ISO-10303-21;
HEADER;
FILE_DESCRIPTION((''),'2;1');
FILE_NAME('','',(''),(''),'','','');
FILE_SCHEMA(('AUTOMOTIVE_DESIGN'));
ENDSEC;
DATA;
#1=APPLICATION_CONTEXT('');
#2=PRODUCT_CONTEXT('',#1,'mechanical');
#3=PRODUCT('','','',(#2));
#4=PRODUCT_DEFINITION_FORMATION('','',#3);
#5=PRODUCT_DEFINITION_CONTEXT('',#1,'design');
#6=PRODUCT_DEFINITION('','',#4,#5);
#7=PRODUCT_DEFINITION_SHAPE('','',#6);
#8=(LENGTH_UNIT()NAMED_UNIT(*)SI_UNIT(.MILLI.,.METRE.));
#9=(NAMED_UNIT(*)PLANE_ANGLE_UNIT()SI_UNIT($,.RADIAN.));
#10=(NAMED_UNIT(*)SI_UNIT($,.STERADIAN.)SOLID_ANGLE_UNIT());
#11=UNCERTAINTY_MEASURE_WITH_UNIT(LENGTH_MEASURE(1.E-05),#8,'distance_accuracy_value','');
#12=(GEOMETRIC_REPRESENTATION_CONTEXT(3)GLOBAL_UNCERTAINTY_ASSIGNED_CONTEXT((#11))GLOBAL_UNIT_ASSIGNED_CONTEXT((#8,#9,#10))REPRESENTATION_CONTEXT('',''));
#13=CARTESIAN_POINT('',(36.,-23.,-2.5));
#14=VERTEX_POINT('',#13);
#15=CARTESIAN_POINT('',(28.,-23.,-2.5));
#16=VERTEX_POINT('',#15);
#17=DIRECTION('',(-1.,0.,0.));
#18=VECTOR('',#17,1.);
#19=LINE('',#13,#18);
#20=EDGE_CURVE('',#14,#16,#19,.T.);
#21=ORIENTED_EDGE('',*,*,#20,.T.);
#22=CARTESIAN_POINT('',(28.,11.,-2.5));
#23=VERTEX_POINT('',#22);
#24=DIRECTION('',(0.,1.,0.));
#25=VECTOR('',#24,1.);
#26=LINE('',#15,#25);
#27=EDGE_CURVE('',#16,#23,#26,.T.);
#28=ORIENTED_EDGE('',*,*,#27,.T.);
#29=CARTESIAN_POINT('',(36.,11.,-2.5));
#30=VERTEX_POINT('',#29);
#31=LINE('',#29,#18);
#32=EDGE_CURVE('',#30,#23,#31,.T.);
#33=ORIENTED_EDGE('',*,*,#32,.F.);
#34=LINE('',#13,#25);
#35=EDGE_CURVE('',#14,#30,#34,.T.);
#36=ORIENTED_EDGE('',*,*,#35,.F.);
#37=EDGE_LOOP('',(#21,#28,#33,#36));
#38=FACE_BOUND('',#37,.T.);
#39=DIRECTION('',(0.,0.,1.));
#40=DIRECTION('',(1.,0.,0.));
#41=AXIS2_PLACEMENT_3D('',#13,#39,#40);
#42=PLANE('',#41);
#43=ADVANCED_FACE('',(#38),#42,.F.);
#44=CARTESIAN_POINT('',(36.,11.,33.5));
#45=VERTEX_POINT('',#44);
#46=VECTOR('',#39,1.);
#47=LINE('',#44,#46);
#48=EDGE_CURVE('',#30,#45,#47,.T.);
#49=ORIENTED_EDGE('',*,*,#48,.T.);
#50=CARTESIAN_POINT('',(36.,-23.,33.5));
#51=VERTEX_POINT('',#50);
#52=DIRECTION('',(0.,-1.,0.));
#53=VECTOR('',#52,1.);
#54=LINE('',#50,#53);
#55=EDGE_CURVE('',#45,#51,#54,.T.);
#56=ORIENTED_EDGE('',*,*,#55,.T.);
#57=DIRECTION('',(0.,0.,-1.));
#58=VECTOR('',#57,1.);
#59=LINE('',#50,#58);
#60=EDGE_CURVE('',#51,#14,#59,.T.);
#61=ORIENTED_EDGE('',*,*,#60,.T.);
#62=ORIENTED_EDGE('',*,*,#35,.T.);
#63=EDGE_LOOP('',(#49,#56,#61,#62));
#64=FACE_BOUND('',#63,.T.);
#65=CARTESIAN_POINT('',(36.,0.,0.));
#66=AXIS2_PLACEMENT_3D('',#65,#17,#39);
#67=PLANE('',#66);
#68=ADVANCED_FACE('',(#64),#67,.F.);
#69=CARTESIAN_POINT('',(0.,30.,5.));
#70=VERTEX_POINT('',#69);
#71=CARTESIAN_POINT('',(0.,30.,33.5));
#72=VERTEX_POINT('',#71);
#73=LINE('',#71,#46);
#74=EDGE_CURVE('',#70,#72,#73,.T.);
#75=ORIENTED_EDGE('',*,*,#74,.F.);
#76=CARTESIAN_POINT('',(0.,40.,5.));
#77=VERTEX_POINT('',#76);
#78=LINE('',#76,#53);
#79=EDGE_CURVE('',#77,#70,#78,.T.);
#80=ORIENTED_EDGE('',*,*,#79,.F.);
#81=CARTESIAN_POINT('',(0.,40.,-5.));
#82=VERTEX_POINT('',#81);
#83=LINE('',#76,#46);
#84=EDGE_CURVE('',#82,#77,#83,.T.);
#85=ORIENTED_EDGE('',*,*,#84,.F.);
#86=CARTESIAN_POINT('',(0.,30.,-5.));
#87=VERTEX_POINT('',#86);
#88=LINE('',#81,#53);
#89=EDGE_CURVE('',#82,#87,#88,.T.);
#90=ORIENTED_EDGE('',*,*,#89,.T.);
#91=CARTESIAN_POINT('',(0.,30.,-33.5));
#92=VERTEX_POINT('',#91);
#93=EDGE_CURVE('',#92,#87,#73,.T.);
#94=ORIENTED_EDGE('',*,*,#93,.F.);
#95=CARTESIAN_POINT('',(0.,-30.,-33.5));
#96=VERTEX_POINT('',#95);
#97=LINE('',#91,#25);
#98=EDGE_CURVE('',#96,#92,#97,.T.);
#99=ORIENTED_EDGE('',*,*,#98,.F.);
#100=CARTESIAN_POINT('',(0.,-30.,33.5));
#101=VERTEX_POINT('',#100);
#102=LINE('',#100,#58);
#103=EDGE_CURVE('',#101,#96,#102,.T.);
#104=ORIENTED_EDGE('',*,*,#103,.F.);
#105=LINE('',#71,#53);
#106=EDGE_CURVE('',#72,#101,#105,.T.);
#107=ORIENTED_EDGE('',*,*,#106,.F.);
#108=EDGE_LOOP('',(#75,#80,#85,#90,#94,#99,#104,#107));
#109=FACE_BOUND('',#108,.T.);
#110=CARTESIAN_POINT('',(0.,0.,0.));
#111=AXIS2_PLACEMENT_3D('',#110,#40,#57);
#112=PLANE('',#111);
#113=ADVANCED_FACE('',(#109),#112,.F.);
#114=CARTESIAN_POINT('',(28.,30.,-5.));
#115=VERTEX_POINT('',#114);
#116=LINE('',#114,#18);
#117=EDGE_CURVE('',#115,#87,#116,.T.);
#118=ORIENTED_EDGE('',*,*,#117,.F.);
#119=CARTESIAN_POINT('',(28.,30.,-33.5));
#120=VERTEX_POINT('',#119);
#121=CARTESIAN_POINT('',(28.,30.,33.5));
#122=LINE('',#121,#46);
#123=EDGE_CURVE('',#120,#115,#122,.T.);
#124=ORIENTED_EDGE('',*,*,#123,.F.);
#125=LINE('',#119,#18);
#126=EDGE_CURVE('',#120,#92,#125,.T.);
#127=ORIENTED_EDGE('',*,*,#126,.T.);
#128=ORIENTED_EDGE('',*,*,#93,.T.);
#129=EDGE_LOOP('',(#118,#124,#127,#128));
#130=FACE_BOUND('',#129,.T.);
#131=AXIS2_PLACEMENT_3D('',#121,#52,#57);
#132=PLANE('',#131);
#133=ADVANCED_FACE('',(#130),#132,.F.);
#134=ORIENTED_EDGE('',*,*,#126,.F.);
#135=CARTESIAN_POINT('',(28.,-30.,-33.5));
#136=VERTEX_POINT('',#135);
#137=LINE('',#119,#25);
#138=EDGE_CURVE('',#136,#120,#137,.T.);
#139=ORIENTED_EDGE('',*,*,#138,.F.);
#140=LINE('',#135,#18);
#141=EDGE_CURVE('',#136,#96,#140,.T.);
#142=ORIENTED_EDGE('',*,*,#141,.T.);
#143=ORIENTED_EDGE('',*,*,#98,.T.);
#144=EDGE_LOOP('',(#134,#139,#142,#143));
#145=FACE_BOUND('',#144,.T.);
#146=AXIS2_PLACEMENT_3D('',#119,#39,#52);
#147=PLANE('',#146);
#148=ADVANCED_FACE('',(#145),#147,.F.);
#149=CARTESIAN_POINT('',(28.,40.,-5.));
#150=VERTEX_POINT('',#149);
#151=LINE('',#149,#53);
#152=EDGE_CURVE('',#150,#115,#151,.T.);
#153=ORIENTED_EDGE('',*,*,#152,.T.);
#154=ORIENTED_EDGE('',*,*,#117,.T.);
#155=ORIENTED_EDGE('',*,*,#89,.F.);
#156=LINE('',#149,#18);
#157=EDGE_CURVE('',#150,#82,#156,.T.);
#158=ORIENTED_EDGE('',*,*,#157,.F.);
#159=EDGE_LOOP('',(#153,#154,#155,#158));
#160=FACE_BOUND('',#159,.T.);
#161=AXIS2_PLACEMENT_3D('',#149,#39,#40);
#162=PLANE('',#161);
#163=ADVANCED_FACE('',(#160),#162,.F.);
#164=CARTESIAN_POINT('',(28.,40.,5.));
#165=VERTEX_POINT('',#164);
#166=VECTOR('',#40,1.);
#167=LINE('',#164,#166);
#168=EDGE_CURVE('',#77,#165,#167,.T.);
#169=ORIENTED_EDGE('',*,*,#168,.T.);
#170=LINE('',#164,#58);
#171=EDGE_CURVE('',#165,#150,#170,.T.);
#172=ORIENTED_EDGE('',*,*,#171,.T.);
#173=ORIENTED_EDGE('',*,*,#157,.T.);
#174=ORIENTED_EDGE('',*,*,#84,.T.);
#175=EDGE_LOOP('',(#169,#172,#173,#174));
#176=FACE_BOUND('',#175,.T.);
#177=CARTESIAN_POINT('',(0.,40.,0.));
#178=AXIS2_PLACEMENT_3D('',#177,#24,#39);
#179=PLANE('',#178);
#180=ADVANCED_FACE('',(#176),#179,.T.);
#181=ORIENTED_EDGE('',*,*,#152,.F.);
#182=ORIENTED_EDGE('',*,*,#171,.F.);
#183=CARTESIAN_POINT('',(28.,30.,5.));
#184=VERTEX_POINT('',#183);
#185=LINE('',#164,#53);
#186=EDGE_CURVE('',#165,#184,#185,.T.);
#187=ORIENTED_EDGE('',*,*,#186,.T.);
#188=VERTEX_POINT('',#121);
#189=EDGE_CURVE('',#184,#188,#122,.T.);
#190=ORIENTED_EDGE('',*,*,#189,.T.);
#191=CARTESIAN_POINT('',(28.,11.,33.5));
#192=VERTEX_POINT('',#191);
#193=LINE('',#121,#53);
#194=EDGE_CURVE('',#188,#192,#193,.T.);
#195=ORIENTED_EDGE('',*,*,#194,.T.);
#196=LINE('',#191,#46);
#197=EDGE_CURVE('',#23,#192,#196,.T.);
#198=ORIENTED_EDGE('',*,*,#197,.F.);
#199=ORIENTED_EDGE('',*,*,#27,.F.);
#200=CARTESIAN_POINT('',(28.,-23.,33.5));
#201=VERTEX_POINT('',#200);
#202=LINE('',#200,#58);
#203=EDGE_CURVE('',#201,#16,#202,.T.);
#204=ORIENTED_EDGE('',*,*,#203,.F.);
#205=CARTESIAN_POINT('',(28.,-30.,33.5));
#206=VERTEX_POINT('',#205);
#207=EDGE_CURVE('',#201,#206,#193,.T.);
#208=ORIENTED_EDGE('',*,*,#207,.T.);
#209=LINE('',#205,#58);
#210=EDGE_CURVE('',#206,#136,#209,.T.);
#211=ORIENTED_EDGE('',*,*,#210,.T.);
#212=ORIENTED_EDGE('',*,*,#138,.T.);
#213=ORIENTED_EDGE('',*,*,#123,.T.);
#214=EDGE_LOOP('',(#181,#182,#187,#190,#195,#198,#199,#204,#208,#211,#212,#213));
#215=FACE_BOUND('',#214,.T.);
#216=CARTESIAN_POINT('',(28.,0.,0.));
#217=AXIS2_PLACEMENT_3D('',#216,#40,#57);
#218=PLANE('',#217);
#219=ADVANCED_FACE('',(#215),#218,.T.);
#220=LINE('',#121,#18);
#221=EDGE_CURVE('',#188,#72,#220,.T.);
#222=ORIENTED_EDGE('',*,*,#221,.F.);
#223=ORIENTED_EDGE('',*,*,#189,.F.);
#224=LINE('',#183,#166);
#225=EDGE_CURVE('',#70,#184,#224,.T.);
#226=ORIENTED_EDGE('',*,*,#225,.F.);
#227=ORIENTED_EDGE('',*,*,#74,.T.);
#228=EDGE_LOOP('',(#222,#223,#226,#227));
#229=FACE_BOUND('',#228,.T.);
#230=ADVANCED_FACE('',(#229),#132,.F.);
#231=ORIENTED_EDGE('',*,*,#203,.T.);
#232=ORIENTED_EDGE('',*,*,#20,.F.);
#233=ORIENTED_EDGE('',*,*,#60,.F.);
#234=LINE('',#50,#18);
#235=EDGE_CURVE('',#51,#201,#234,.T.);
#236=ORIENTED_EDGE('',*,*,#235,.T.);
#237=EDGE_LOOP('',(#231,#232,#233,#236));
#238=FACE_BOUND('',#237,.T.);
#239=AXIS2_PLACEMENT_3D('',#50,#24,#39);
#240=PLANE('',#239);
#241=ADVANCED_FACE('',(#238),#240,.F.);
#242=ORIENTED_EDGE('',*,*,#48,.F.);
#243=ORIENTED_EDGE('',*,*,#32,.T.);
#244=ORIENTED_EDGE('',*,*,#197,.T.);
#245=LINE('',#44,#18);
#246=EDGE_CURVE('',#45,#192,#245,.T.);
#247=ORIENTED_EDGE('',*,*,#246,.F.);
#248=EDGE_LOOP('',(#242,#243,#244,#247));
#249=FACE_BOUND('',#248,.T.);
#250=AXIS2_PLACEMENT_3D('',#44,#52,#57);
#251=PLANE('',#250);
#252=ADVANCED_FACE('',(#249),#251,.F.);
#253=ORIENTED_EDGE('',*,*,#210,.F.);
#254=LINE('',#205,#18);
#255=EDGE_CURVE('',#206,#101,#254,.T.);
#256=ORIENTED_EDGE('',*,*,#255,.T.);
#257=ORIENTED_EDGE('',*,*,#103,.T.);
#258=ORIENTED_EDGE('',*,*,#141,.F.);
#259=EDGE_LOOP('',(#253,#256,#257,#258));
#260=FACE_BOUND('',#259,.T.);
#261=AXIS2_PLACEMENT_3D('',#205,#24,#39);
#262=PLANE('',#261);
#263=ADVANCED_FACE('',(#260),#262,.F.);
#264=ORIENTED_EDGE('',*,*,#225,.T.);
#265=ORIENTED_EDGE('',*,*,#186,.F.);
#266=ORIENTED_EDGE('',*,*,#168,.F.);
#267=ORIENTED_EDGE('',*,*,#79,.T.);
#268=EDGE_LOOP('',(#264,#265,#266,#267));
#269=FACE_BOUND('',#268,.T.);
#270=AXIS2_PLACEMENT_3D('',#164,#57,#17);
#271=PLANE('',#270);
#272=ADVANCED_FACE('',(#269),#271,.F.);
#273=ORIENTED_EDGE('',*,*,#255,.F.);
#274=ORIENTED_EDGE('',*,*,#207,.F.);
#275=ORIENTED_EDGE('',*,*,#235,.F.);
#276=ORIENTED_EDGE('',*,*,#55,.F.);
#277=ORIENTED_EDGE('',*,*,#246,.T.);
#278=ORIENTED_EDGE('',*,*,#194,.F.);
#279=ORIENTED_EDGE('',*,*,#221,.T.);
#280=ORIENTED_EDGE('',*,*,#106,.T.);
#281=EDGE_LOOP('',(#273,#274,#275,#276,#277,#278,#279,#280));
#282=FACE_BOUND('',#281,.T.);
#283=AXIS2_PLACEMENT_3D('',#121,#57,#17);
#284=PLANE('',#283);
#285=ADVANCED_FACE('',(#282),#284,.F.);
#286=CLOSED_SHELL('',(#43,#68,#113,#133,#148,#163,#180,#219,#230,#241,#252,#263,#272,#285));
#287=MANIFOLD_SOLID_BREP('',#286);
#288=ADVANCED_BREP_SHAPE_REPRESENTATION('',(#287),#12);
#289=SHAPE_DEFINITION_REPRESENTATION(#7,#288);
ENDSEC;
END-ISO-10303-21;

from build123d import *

# Parameters (mm, degrees)
SKETCH1_W           = 67
SKETCH1_H           = 60
BOSS_EXTRUDE1_DEPTH = 28
SKETCH3_W           = 36
SKETCH3_H           = 34
BOSS_EXTRUDE2_DEPTH = 8
SKETCH4_W           = 28
SKETCH4_H           = 10
BOSS_EXTRUDE3_DEPTH = 10


with BuildPart() as part:
    # Sketch1 → Boss-Extrude1 (new body)
    with BuildSketch(Plane(origin=(0, 0, 0), x_dir=(0, 0, -1), z_dir=(1, 0, 0))):
        Rectangle(SKETCH1_W, SKETCH1_H)
    extrude(amount=BOSS_EXTRUDE1_DEPTH)

    # Sketch3 → Boss-Extrude2 (add)
    with BuildSketch(Plane(origin=(28, 0, 0), x_dir=(0, 0, -1), z_dir=(1, 0, 0))):
        with Locations((-15.5, -6)):
            Rectangle(SKETCH3_W, SKETCH3_H)
    extrude(amount=BOSS_EXTRUDE2_DEPTH)

    # Sketch4 → Boss-Extrude3 (add)
    with BuildSketch(Plane(origin=(0, 30, 0), x_dir=(1, 0, 0), z_dir=(0, 1, 0))):
        with Locations((14, 0)):
            Rectangle(SKETCH4_W, SKETCH4_H)
    extrude(amount=BOSS_EXTRUDE3_DEPTH)


solid = part.part
